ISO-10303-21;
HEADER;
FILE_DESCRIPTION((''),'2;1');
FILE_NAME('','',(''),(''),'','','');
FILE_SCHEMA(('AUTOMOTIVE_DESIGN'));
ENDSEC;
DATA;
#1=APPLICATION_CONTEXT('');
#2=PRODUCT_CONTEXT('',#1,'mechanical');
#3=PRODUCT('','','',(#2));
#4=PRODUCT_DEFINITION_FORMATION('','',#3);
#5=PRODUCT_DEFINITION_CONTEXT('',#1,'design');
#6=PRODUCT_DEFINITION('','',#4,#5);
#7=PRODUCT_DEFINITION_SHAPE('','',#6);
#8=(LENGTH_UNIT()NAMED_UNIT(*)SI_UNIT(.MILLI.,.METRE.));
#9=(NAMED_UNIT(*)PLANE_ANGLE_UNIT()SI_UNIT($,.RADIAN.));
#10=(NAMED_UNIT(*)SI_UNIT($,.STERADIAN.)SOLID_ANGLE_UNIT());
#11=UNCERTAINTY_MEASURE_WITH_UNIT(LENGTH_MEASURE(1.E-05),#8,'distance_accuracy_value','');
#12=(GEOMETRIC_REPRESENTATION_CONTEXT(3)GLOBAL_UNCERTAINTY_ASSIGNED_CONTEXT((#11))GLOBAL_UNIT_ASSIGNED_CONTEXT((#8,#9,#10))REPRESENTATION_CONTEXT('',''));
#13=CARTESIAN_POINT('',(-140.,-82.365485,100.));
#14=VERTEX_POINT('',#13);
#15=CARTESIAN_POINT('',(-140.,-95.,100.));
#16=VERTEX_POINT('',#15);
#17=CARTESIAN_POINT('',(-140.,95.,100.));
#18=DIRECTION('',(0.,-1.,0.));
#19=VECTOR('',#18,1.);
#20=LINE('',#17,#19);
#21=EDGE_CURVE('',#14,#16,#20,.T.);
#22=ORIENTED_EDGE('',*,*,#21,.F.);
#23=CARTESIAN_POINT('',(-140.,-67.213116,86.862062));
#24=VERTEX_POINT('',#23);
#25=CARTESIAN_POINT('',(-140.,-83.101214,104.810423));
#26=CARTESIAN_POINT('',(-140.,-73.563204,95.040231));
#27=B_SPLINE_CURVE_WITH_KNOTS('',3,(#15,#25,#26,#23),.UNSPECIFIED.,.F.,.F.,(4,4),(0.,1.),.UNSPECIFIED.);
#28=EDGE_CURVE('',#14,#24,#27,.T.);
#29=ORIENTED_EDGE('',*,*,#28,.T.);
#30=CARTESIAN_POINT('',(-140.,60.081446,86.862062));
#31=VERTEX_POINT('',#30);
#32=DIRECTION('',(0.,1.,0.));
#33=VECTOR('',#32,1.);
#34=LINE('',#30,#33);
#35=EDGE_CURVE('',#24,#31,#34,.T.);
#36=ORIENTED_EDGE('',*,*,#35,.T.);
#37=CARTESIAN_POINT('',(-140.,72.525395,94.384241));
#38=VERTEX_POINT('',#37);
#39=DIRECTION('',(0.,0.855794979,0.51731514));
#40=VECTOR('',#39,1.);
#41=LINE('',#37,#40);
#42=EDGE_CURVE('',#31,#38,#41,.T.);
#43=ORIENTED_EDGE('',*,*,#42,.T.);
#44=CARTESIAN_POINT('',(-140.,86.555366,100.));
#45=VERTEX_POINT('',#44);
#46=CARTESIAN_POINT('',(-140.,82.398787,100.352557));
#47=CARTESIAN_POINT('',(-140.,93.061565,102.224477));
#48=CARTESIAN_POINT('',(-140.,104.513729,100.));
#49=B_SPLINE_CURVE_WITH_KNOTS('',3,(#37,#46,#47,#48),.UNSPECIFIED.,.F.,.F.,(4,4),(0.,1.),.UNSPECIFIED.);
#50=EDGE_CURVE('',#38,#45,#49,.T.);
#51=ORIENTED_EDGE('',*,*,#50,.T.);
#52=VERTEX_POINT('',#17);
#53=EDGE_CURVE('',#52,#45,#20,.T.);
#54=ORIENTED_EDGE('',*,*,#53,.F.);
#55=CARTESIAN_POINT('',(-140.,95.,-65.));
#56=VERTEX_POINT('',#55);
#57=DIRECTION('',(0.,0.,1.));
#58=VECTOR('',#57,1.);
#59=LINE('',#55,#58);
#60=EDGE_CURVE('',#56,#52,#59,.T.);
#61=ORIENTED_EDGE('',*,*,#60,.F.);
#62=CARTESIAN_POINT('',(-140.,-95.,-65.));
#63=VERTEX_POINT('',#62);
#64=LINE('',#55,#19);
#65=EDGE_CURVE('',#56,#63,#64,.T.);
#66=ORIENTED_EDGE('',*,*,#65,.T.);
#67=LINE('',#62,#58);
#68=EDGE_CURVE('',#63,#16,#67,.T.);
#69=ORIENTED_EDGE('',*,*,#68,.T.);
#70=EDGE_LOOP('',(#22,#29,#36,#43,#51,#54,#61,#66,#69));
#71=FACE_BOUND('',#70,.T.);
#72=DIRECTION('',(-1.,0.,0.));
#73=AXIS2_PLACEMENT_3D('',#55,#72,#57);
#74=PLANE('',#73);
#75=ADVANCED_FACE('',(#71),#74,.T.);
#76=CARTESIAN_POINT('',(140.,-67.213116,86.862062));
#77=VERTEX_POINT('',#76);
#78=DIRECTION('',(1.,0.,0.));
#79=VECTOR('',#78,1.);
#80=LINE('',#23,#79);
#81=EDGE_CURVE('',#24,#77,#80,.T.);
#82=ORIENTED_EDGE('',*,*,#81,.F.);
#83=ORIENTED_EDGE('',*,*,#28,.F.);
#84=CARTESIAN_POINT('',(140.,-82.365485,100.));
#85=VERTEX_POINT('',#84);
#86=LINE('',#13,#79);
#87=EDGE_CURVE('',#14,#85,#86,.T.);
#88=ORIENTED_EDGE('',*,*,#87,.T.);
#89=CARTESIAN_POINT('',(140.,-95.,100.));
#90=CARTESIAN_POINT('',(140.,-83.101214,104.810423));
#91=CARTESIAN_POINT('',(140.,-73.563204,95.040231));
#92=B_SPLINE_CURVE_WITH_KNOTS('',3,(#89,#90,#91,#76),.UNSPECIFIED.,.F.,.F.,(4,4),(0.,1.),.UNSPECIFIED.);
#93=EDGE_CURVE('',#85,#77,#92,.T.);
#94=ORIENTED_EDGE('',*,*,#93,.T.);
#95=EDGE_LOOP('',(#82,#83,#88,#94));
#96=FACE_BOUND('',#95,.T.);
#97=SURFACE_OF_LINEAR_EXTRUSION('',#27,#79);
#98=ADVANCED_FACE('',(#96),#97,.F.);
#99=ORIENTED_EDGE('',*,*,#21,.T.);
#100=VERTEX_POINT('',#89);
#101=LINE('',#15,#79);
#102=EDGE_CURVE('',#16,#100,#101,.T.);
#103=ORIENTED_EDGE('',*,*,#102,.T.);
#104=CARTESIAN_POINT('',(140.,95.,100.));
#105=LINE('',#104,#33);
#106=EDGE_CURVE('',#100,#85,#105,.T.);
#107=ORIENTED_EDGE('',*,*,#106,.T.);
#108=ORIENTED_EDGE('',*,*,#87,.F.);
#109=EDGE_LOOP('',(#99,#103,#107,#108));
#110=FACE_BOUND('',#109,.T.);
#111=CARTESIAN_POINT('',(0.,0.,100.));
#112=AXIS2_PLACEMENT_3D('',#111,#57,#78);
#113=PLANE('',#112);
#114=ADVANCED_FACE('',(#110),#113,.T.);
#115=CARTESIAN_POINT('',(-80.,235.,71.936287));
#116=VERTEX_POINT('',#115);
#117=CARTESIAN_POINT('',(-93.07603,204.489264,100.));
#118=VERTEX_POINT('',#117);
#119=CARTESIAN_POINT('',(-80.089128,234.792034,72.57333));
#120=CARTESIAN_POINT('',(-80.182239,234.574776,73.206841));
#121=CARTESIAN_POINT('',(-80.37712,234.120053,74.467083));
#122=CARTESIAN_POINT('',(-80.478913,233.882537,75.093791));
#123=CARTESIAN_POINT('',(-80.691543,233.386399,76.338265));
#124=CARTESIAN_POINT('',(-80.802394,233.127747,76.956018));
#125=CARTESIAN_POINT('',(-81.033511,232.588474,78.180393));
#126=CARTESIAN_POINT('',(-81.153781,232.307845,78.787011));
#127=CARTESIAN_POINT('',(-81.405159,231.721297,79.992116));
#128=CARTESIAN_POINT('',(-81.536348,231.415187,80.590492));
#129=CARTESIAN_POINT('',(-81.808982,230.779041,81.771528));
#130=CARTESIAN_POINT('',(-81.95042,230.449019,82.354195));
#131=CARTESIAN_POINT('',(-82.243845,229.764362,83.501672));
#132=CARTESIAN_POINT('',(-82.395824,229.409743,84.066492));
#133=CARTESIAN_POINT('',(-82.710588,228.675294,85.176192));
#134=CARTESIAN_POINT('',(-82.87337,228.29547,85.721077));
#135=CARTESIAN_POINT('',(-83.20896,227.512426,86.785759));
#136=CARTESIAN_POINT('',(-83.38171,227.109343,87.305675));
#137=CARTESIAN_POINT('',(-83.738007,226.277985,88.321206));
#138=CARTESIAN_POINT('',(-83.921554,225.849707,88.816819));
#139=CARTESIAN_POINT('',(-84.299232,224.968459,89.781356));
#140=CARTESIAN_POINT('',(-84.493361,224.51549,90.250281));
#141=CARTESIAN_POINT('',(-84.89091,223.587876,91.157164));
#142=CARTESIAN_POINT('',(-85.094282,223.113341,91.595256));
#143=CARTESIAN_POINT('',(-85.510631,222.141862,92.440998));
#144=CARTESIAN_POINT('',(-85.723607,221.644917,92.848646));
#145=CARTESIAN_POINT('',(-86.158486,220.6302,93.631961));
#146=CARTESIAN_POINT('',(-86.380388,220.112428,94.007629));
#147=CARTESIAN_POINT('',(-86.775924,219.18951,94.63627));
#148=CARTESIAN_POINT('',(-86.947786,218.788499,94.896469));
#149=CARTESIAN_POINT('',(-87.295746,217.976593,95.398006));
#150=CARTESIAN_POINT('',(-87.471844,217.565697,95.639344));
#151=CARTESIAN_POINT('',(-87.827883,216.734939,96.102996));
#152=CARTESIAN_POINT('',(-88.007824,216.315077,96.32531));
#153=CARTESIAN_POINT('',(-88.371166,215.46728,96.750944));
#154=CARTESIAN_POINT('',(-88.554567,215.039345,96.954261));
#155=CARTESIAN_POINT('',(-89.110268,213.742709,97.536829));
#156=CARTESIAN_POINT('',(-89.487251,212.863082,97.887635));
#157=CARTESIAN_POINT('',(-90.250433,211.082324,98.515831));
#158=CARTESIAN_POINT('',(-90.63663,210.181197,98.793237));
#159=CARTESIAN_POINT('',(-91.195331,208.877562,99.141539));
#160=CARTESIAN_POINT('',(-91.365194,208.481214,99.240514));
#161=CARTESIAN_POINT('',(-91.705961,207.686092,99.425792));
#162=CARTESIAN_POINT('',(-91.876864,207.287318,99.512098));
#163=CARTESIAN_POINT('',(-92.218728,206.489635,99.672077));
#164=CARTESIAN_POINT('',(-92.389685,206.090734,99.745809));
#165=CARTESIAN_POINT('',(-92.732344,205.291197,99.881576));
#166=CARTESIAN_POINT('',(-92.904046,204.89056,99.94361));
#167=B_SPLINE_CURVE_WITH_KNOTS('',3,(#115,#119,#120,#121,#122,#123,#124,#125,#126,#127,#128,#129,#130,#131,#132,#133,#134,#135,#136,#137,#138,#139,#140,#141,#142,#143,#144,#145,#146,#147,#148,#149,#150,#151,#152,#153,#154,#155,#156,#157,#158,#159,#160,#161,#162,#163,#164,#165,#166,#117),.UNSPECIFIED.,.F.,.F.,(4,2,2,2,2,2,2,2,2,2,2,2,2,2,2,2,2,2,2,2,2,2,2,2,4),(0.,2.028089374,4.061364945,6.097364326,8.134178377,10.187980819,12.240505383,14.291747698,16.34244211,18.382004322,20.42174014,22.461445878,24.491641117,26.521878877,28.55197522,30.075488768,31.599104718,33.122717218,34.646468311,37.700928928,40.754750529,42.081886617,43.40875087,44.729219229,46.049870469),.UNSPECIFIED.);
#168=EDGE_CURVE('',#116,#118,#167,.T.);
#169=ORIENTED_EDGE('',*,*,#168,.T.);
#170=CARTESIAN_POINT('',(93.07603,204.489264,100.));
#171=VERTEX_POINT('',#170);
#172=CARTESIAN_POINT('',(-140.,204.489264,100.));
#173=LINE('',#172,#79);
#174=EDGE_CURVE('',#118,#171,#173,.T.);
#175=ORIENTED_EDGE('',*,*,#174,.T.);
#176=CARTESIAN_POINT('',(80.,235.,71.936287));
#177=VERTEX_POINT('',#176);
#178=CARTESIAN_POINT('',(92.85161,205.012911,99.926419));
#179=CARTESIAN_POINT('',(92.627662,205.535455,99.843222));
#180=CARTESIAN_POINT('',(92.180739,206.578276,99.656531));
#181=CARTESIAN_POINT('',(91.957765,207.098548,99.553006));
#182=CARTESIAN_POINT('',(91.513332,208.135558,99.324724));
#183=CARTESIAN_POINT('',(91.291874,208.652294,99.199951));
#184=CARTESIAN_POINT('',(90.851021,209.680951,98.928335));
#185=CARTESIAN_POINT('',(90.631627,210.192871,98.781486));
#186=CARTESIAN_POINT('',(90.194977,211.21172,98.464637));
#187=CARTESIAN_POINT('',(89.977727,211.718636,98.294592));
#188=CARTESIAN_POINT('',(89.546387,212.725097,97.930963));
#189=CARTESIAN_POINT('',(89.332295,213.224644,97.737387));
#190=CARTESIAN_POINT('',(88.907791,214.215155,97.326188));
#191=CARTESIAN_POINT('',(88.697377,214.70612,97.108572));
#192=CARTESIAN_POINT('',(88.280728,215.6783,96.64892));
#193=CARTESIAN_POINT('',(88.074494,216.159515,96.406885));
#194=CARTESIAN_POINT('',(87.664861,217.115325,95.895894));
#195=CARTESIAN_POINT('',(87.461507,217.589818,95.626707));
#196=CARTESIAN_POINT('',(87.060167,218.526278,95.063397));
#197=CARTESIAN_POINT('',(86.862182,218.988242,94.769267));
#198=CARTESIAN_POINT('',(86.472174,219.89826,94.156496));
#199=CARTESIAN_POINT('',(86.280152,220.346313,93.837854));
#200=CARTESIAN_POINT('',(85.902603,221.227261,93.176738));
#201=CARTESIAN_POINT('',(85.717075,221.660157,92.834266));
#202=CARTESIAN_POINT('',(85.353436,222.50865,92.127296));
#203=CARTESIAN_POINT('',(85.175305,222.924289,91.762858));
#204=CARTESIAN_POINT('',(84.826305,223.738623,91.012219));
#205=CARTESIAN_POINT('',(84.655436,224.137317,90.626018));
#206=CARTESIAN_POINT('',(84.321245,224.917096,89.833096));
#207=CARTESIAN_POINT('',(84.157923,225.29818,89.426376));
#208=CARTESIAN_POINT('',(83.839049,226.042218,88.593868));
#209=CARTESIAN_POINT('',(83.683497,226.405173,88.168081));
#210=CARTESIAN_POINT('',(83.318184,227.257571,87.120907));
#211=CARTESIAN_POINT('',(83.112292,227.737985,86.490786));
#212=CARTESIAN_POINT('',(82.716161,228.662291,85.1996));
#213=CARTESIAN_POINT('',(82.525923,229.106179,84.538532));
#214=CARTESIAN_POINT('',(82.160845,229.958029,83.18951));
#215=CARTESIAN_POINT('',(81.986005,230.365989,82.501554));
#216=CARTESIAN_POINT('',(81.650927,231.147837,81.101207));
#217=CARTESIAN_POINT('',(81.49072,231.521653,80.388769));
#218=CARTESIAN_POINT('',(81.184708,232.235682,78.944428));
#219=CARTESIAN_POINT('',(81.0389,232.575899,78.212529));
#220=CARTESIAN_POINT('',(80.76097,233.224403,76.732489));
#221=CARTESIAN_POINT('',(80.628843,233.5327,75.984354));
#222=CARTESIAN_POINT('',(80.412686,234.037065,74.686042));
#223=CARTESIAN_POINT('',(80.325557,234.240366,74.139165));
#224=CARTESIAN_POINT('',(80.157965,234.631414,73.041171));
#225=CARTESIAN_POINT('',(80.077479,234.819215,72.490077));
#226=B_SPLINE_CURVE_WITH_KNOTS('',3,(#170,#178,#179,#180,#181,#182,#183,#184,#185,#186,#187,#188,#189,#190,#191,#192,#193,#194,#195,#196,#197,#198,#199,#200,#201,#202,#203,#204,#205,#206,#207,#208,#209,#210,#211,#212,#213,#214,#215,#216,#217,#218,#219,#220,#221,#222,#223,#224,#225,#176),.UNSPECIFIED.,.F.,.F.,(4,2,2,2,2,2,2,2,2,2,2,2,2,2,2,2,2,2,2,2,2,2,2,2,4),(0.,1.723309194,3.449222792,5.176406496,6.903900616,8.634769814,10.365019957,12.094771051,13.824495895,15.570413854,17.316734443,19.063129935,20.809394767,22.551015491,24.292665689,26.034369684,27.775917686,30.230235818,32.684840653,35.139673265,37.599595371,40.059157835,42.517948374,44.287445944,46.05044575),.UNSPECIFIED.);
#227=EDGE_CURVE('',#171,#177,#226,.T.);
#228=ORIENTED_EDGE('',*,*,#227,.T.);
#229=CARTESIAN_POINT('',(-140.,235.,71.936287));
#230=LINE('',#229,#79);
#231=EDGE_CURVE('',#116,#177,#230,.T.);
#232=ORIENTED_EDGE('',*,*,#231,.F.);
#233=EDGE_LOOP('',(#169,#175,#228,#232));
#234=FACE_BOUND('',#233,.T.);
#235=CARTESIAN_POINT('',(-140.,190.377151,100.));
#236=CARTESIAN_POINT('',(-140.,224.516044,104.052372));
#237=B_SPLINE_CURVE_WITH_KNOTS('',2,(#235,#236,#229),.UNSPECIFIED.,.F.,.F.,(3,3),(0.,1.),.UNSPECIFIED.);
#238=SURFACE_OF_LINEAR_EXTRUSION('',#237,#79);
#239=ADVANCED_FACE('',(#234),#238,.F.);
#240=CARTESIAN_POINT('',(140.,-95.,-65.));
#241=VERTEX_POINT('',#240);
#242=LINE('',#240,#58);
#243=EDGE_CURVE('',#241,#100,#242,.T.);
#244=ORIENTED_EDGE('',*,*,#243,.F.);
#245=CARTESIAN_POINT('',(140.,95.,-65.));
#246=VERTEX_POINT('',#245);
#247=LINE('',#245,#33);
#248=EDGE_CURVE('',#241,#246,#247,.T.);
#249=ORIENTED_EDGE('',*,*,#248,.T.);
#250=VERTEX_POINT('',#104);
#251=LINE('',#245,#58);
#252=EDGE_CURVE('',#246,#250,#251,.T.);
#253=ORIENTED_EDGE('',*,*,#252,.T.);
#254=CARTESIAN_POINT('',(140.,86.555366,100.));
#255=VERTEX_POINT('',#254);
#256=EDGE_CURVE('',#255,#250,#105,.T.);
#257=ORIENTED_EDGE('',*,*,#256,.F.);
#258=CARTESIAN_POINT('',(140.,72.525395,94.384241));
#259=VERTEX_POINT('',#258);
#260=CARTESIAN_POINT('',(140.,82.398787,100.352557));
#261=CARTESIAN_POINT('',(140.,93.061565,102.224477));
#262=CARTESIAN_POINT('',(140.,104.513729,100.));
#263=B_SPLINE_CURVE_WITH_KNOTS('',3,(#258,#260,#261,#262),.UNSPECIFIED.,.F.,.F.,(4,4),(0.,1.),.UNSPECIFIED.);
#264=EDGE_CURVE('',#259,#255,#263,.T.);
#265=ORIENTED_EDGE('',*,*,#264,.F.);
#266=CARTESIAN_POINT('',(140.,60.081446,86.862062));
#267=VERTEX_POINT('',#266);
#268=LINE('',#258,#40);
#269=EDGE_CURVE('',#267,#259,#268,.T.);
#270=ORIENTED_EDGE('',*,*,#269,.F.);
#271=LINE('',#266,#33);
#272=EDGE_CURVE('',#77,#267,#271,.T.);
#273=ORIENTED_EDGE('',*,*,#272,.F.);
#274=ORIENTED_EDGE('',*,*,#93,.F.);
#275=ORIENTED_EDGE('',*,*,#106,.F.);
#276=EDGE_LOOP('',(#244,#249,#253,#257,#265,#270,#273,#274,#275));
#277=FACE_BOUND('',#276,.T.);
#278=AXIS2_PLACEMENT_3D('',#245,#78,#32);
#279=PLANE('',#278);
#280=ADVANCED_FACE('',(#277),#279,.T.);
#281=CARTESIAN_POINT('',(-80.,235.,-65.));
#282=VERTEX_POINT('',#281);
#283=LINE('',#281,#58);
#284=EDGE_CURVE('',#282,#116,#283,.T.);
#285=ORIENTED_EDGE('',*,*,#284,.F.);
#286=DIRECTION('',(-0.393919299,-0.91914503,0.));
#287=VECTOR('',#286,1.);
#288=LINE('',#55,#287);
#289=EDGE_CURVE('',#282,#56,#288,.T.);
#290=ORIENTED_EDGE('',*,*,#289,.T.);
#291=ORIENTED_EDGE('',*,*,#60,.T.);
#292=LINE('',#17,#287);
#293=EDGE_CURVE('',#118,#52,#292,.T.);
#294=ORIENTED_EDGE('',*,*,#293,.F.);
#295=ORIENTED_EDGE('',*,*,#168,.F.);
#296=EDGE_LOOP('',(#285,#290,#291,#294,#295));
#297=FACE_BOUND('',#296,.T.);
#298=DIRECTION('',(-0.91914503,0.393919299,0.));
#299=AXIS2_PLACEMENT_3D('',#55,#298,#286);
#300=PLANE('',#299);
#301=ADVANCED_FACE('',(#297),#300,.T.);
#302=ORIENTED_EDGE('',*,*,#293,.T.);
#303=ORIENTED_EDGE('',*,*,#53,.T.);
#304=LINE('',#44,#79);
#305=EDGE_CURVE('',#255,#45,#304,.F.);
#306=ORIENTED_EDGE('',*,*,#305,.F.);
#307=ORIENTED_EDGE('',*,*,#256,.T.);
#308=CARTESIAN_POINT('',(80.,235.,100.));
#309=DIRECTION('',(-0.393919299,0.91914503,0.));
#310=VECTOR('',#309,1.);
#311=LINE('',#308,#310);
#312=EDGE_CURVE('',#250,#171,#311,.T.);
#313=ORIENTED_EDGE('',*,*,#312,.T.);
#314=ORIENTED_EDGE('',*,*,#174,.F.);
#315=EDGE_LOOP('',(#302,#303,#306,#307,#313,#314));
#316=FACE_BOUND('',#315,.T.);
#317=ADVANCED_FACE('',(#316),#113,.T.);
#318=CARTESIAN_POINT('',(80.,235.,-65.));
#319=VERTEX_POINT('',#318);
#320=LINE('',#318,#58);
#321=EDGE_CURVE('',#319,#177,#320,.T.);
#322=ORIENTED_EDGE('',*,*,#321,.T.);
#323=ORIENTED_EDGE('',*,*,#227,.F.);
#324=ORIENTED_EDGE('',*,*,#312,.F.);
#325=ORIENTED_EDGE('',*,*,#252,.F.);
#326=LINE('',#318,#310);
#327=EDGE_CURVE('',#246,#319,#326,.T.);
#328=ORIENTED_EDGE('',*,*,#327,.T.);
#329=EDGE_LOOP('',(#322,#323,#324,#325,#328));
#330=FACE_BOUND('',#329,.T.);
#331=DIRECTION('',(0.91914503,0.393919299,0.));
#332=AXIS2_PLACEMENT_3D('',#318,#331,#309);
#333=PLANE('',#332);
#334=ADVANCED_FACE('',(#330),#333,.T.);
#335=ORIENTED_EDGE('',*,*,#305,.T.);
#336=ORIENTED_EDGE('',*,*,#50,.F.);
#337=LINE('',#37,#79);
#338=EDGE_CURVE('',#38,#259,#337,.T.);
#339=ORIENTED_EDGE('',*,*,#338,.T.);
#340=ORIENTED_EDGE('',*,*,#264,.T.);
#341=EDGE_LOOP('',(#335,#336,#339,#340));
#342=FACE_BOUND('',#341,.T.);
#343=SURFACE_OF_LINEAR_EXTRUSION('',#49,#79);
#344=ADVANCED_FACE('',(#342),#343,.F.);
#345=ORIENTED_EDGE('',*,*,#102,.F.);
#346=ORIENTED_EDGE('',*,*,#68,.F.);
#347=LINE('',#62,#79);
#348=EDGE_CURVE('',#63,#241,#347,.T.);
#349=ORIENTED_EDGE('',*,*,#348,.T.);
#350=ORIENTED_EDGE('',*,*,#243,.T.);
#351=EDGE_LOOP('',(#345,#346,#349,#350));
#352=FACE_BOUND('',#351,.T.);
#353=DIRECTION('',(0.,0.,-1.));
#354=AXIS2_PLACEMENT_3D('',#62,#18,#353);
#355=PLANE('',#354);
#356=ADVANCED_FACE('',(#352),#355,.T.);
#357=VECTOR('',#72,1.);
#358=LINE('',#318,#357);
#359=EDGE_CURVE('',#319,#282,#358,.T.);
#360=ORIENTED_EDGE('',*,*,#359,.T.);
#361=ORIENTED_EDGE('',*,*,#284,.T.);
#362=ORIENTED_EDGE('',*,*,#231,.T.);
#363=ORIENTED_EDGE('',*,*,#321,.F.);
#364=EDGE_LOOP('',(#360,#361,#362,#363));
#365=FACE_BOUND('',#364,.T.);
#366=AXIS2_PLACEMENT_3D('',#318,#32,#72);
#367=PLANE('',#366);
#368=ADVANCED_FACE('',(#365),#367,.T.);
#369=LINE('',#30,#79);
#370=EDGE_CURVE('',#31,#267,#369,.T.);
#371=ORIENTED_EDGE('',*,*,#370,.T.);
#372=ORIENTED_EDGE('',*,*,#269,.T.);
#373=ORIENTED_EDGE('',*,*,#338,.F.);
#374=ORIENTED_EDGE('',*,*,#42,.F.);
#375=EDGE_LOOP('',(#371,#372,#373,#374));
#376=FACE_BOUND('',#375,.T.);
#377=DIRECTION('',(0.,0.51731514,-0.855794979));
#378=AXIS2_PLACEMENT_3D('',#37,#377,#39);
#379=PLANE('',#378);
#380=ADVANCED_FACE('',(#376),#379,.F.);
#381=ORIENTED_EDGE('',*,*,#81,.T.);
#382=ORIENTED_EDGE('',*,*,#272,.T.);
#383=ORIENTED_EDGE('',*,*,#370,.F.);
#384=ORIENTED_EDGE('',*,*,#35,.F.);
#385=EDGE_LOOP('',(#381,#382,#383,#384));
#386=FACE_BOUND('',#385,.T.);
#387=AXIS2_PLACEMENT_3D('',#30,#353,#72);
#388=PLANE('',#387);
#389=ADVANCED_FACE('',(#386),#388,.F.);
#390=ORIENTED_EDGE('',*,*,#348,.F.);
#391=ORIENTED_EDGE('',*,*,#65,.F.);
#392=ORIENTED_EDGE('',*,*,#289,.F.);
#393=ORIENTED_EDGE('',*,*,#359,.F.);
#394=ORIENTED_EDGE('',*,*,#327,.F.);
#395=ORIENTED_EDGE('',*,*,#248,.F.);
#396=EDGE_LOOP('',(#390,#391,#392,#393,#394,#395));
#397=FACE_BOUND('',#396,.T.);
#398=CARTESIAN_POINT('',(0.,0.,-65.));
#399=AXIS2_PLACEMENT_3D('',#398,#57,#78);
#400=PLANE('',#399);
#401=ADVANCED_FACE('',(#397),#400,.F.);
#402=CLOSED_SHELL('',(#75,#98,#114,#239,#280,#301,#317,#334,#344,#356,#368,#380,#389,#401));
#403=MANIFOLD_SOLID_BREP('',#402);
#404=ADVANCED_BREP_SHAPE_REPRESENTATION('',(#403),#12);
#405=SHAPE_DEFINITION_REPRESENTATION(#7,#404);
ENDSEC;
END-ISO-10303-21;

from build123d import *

# Parameters (mm, degrees)
BOSS_EXTRUDE1_DEPTH      = 100
BOSS_EXTRUDE1_DEPTH_BACK = 65
CUT_EXTRUDE1_DEPTH       = 280


with BuildPart() as part:
    # Sketch1 → Boss-Extrude1 (new body, two sides)
    with BuildSketch(Plane.XY) as boss_extrude1_sk:
        Polygon((-140, 95), (-140, -95), (140, -95), (140, 95), (80, 235), (-80, 235), align=None)
    extrude(amount=BOSS_EXTRUDE1_DEPTH)
    extrude(boss_extrude1_sk.sketch, amount=-BOSS_EXTRUDE1_DEPTH_BACK)

    # Sketch2 → Cut-Extrude1 (cut)
    with BuildSketch(Plane(origin=(140, 0, 0), x_dir=(0, 0, -1), z_dir=(1, 0, 0))):
        with BuildLine():
            Line((-100, 190.377151129), (-100, 104.513728645))
            add(Edge.make_bspline(
                [(-100, 104.513728645), (-102.224477009, 93.061564682), (-100.352557358, 82.398786726), (-94.384241048, 72.525394779)],
                knots=[0, 0, 0, 0, 1, 1, 1, 1], degree=3))
            Line((-94.384241048, 72.525394779), (-86.862061889, 60.08144589))
            Line((-86.862061889, 60.08144589), (-86.862061889, -67.213116322))
            add(Edge.make_bspline(
                [(-86.862061889, -67.213116322), (-95.040230762, -73.563203777), (-104.810422505, -83.101213531), (-100, -95)],
                knots=[0, 0, 0, 0, 1, 1, 1, 1], degree=3))
            Line((-100, -95), (-158.360908781, -95))
            Line((-158.360908781, -95), (-158.360908781, 235))
            Line((-158.360908781, 235), (-71.936287457, 235))
            add(Edge.make_bspline(
                [(-71.936287457, 235), (-104.052371602, 224.516044217), (-100, 190.377151129)],
                knots=[0, 0, 0, 1, 1, 1], degree=2))
        make_face()
    extrude(amount=-CUT_EXTRUDE1_DEPTH, mode=Mode.SUBTRACT)


solid = part.part
